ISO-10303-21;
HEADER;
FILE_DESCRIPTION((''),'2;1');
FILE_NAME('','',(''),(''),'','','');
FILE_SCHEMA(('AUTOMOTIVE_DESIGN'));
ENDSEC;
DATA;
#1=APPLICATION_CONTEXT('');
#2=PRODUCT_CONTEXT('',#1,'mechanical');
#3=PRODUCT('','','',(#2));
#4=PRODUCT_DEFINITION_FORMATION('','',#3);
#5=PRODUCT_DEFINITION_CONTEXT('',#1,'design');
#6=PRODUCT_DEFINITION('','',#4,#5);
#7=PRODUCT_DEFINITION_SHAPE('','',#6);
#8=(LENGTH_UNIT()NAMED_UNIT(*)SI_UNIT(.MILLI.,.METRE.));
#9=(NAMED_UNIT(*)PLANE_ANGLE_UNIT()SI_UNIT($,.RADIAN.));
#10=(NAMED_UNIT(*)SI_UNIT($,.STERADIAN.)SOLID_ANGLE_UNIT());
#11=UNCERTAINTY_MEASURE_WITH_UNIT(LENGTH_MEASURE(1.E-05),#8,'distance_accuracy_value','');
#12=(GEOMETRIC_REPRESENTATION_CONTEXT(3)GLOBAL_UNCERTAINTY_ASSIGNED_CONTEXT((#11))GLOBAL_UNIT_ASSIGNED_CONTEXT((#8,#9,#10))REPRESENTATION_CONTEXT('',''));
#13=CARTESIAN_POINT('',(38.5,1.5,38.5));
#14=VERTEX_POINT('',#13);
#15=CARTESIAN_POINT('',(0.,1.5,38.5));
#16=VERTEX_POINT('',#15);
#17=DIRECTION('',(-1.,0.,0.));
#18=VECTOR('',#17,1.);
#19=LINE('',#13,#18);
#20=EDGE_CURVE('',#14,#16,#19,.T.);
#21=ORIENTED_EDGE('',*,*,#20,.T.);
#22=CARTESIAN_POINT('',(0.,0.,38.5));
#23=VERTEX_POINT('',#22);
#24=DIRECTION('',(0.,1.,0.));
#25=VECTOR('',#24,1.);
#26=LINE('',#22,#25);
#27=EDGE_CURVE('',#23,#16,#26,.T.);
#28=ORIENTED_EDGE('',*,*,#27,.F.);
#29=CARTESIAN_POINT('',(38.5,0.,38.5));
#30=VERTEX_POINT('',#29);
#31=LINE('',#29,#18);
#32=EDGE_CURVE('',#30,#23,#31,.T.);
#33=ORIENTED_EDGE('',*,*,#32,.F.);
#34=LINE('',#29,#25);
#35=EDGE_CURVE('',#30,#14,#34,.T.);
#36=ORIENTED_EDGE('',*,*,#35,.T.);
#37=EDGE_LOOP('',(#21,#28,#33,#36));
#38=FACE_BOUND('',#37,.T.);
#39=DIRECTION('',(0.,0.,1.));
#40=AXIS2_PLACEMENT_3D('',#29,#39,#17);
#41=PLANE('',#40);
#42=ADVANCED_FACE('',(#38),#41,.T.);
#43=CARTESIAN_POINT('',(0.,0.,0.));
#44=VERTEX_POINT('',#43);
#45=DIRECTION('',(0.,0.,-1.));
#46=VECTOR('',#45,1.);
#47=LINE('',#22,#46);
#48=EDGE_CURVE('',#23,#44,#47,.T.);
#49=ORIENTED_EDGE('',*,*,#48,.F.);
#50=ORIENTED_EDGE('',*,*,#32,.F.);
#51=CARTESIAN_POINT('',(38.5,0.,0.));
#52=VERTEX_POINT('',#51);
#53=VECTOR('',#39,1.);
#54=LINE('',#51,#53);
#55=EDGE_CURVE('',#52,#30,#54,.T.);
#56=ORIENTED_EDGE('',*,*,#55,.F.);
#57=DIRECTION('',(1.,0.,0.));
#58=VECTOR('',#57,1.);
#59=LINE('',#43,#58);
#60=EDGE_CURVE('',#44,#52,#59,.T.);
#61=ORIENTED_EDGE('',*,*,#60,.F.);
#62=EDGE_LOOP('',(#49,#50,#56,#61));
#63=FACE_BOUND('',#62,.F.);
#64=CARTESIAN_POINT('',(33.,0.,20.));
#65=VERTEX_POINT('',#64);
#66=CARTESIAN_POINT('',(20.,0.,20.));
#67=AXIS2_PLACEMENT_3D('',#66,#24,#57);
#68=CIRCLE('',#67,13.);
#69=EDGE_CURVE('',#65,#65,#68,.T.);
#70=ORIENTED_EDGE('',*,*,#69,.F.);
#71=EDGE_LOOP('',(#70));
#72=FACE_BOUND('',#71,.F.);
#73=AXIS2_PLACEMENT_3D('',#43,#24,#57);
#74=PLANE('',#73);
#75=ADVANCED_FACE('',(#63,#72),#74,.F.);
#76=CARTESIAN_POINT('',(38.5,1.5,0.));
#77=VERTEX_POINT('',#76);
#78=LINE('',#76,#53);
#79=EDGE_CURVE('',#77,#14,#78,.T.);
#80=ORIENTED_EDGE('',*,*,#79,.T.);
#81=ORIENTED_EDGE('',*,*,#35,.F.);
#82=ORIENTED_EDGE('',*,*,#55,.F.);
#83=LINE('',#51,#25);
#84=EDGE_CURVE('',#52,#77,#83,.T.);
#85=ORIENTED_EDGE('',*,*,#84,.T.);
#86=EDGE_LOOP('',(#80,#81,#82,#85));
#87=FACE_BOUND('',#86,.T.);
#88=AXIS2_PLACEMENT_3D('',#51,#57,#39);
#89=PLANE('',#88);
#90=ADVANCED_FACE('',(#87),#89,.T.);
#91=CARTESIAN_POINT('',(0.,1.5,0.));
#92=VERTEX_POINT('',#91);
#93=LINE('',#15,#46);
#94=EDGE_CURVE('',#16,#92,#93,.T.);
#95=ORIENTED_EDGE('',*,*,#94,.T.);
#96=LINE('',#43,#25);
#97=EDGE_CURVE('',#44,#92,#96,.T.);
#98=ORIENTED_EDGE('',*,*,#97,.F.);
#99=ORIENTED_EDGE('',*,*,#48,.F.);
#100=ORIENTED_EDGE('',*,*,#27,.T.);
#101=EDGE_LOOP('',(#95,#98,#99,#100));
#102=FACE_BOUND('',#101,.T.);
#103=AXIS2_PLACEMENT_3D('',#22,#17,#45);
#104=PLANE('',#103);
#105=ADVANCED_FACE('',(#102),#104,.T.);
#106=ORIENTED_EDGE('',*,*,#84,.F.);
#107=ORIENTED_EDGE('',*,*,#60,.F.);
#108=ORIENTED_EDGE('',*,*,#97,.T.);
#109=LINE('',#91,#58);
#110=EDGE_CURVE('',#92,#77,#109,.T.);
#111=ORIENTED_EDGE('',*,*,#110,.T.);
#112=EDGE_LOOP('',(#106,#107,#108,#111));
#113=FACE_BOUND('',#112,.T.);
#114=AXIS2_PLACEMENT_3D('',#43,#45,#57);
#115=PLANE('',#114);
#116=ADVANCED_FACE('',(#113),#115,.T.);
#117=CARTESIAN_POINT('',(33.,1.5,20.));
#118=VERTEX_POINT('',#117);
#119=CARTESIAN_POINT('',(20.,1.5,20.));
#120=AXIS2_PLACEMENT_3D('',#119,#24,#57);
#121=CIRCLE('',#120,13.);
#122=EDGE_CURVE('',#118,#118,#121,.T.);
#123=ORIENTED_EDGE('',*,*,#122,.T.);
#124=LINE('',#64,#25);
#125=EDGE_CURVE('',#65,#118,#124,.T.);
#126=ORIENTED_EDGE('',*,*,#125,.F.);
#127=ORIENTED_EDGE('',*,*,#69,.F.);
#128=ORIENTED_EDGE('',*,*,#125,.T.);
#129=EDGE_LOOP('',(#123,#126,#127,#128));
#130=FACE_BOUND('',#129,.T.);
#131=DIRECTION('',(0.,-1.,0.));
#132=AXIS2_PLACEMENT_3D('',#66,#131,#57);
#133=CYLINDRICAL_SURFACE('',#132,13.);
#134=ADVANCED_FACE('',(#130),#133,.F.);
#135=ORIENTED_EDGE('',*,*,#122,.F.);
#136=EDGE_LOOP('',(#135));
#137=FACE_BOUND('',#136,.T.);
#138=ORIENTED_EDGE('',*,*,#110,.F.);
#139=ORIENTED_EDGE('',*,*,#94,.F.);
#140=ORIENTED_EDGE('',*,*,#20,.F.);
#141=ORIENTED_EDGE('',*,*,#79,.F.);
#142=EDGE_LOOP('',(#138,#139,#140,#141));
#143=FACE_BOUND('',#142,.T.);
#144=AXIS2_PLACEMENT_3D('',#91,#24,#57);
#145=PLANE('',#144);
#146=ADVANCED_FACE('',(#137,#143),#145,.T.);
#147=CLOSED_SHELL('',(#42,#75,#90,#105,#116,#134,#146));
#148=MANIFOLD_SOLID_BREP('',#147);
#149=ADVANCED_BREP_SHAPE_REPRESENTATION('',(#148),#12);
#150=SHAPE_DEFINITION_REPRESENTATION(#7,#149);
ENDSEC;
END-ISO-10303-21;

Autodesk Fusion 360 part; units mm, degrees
sketch "Sketch1" plane through (0, 0, 0) normal (0, 1, 0) x (1, 0, 0)
  line L0 (0, 0) -> (38.5, 0)
  line L1 (38.5, 0) -> (38.5, -38.5)
  line L2 (38.5, -38.5) -> (0, -38.5)
  line L3 (0, -38.5) -> (0, 0)
  circle A0 centre (20, -20) radius 13
  dimension "d1" = 38.5
  dimension "d2" = 38.5
  dimension "d3" = 26
extrude "Extrude1" add sketch "Sketch1" along normal blind 1.5
